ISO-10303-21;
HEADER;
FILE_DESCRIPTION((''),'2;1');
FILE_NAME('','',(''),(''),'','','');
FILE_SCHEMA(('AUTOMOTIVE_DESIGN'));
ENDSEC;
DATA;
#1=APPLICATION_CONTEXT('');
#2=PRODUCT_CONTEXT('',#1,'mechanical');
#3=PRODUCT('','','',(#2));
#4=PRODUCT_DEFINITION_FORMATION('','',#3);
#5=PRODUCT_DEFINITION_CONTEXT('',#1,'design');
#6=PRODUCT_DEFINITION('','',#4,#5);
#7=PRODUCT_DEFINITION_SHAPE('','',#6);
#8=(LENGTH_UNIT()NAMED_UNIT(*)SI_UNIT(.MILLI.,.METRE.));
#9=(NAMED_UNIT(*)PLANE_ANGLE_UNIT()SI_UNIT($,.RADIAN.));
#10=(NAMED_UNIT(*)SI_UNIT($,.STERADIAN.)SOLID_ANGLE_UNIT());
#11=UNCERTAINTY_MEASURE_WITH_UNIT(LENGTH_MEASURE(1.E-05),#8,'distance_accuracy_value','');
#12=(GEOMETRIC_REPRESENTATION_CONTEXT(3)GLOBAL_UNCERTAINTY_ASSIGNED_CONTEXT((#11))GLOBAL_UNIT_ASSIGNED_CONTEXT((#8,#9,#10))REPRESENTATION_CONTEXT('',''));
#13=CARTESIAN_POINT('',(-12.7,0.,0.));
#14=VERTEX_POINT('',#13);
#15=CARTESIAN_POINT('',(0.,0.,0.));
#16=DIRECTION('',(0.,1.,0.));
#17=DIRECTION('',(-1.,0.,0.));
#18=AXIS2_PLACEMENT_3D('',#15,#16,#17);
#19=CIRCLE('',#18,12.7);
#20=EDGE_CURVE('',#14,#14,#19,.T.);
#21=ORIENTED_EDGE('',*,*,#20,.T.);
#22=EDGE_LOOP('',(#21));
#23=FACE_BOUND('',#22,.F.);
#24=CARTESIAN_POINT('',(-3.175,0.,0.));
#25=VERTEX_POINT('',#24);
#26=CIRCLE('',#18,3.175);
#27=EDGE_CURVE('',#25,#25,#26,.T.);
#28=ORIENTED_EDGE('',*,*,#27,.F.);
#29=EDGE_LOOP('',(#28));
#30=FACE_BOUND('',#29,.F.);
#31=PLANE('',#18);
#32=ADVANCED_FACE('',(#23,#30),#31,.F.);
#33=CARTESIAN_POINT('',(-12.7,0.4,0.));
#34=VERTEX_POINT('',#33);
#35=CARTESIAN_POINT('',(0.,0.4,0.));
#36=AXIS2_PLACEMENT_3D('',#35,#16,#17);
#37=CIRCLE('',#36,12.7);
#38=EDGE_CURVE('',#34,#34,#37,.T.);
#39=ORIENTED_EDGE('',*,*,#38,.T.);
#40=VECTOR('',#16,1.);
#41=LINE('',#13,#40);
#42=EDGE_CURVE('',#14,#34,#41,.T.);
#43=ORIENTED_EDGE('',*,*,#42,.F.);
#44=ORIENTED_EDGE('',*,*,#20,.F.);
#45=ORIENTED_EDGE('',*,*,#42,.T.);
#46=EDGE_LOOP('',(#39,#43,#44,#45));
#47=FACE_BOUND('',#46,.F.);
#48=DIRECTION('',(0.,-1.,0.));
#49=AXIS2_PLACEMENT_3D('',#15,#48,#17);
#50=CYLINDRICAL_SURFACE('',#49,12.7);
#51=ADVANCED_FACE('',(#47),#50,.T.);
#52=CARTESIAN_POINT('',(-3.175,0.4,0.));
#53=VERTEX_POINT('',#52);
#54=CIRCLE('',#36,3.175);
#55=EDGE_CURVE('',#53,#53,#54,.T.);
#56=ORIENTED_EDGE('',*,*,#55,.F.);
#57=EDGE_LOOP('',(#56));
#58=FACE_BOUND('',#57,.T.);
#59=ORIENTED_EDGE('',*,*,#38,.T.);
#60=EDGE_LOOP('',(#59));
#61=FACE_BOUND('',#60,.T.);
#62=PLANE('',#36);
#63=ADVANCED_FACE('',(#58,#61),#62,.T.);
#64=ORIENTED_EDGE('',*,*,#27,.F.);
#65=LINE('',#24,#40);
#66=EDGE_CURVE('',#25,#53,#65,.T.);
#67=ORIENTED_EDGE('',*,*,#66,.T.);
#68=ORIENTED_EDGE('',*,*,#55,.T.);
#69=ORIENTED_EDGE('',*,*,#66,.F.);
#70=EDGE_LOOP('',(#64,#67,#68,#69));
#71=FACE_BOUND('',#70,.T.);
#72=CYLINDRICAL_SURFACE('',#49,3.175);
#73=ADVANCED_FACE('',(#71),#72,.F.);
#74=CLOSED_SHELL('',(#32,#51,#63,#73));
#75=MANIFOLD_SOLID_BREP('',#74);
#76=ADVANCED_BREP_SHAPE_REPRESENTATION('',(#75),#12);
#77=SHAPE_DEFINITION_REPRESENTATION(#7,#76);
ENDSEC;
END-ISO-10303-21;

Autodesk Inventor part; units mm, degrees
ref_plane "YZ Plane" through (0, 0, 0) normal (1, 0, 0) x (0, 1, 0)
ref_plane "XZ Plane" through (0, 0, 0) normal (0, 1, 0) x (-1, 0, 0)
ref_plane "XY Plane" through (0, 0, 0) normal (0, 0, 1) x (1, 0, 0)
sketch "Boceto1" plane through (0, 0, 0) normal (0, 1, 0) x (-1, 0, 0)
  circle A0 centre (0, 0) radius 3.175
  circle A1 centre (0, 0) radius 12.7
  dimension "d0" = 6.35
  dimension "d1" = 25.4
extrude "Extrusión1" add sketch "Boceto1" along normal blind 0.4
properties part number "Arandela1-4"
